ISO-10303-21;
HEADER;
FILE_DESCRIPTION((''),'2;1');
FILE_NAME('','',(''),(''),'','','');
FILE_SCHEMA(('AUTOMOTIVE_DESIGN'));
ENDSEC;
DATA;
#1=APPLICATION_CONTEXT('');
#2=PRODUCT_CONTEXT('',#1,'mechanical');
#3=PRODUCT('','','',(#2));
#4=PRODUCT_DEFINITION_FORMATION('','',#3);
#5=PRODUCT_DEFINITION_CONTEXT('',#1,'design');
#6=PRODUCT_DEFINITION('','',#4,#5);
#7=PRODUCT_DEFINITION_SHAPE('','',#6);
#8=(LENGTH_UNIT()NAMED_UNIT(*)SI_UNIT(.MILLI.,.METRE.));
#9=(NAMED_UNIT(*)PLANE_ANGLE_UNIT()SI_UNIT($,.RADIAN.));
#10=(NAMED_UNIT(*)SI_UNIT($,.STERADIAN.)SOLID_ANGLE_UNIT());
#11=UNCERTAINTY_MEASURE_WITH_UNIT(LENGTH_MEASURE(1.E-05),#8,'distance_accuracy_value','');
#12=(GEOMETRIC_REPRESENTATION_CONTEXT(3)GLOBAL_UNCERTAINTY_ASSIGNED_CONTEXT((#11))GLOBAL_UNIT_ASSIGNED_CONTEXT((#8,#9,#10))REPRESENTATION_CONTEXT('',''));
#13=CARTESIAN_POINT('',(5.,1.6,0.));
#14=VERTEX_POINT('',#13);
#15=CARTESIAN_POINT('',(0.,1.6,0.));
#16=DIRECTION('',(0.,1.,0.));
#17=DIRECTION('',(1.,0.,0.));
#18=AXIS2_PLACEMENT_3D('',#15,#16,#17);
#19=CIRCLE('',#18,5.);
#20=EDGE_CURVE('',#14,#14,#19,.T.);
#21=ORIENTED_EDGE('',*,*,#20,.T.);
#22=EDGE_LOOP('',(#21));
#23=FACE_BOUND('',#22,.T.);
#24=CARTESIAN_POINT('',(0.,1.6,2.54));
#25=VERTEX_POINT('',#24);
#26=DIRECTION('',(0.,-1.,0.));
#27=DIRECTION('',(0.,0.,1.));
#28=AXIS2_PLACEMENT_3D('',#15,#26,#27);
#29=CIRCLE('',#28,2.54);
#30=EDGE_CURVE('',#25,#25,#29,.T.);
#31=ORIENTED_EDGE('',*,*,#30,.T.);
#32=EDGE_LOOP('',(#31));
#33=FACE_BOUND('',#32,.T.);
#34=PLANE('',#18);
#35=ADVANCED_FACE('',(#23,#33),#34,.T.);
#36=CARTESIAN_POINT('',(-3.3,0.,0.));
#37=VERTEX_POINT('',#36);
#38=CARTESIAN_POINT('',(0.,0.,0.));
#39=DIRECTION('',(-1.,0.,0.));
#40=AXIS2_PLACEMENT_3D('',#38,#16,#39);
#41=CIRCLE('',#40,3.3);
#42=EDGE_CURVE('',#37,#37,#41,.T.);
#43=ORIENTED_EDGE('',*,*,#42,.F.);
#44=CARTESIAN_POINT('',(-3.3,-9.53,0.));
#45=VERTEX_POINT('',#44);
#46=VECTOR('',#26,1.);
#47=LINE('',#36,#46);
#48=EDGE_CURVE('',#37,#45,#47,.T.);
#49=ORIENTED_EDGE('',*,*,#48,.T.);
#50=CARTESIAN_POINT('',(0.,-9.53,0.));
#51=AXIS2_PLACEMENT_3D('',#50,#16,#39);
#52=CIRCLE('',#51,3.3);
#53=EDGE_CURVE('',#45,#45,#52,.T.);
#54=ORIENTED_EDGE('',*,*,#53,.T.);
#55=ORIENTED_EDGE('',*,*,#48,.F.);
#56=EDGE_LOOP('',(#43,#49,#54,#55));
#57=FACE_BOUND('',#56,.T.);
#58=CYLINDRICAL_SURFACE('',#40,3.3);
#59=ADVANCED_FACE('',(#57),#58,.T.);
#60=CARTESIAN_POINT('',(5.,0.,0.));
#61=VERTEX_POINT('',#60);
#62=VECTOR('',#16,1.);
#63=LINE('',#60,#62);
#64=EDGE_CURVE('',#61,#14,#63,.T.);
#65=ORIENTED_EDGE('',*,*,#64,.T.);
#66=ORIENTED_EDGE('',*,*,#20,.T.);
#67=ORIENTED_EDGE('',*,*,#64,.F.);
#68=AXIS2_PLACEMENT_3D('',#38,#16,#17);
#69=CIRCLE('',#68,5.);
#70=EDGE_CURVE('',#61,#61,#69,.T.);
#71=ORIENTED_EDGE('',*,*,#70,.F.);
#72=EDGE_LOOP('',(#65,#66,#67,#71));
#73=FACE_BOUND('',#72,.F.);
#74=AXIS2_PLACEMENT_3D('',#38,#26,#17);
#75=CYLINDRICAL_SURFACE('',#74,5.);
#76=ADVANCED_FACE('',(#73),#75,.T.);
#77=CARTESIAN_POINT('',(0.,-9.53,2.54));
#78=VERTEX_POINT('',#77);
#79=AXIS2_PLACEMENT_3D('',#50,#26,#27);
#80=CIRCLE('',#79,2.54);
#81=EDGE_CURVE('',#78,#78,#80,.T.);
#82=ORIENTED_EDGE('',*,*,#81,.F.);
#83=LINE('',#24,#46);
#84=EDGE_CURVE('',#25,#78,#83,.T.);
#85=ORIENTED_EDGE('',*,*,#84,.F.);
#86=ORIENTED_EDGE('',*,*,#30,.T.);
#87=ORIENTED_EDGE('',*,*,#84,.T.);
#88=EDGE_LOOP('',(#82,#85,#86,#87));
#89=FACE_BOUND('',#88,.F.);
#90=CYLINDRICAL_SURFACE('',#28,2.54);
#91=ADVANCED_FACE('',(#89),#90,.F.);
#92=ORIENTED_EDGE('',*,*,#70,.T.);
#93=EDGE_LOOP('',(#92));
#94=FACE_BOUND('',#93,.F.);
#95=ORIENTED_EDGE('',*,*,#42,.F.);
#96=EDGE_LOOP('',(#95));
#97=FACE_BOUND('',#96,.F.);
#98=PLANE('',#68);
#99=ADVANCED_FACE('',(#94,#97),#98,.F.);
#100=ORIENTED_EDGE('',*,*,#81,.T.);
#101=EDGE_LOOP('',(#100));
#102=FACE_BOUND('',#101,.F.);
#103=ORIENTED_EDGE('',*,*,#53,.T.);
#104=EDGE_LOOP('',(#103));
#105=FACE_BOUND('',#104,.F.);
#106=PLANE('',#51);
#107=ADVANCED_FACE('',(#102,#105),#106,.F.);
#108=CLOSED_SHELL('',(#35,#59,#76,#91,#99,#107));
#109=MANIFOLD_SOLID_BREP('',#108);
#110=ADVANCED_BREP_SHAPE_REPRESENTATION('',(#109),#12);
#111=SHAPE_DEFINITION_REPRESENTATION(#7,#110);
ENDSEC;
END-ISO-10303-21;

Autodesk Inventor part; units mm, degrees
ref_plane "YZ Plane" through (0, 0, 0) normal (1, 0, 0) x (0, 1, 0)
ref_plane "XZ Plane" through (0, 0, 0) normal (0, 1, 0) x (-1, 0, 0)
ref_plane "XY Plane" through (0, 0, 0) normal (0, 0, 1) x (1, 0, 0)
sketch "Washer Cross Section" plane through (0, 0, 0) normal (0, 1, 0) x (-1, 0, 0)
  circle A0 centre (0, 0) radius 3.3
  dimension "d0" = 6.6
extrude "Washer" add sketch "Washer Cross Section" against normal blind 9.53
sketch "Shoulder Cross Section" plane through (0, 0, 0) normal (0, 1, 0) x (1, 0, 0)
  circle A0 centre (0, 0) radius 5
  dimension "d3" = 10
extrude "Shoulder" add sketch "Shoulder Cross Section" along normal blind 1.6
sketch "Screw Hole Position" plane through (0, 1.6, 0) normal (0, 1, 0) x (1, 0, 0)
  point P0 (0, 0)
  point P1 (0, 0)
hole "Screw Hole" at (0, 1.6, 0) direction (0, -1, 0) diameter 5.08 end through all
properties part number "HSHW-M5-6.6-N" material "Nylon 6/6"
